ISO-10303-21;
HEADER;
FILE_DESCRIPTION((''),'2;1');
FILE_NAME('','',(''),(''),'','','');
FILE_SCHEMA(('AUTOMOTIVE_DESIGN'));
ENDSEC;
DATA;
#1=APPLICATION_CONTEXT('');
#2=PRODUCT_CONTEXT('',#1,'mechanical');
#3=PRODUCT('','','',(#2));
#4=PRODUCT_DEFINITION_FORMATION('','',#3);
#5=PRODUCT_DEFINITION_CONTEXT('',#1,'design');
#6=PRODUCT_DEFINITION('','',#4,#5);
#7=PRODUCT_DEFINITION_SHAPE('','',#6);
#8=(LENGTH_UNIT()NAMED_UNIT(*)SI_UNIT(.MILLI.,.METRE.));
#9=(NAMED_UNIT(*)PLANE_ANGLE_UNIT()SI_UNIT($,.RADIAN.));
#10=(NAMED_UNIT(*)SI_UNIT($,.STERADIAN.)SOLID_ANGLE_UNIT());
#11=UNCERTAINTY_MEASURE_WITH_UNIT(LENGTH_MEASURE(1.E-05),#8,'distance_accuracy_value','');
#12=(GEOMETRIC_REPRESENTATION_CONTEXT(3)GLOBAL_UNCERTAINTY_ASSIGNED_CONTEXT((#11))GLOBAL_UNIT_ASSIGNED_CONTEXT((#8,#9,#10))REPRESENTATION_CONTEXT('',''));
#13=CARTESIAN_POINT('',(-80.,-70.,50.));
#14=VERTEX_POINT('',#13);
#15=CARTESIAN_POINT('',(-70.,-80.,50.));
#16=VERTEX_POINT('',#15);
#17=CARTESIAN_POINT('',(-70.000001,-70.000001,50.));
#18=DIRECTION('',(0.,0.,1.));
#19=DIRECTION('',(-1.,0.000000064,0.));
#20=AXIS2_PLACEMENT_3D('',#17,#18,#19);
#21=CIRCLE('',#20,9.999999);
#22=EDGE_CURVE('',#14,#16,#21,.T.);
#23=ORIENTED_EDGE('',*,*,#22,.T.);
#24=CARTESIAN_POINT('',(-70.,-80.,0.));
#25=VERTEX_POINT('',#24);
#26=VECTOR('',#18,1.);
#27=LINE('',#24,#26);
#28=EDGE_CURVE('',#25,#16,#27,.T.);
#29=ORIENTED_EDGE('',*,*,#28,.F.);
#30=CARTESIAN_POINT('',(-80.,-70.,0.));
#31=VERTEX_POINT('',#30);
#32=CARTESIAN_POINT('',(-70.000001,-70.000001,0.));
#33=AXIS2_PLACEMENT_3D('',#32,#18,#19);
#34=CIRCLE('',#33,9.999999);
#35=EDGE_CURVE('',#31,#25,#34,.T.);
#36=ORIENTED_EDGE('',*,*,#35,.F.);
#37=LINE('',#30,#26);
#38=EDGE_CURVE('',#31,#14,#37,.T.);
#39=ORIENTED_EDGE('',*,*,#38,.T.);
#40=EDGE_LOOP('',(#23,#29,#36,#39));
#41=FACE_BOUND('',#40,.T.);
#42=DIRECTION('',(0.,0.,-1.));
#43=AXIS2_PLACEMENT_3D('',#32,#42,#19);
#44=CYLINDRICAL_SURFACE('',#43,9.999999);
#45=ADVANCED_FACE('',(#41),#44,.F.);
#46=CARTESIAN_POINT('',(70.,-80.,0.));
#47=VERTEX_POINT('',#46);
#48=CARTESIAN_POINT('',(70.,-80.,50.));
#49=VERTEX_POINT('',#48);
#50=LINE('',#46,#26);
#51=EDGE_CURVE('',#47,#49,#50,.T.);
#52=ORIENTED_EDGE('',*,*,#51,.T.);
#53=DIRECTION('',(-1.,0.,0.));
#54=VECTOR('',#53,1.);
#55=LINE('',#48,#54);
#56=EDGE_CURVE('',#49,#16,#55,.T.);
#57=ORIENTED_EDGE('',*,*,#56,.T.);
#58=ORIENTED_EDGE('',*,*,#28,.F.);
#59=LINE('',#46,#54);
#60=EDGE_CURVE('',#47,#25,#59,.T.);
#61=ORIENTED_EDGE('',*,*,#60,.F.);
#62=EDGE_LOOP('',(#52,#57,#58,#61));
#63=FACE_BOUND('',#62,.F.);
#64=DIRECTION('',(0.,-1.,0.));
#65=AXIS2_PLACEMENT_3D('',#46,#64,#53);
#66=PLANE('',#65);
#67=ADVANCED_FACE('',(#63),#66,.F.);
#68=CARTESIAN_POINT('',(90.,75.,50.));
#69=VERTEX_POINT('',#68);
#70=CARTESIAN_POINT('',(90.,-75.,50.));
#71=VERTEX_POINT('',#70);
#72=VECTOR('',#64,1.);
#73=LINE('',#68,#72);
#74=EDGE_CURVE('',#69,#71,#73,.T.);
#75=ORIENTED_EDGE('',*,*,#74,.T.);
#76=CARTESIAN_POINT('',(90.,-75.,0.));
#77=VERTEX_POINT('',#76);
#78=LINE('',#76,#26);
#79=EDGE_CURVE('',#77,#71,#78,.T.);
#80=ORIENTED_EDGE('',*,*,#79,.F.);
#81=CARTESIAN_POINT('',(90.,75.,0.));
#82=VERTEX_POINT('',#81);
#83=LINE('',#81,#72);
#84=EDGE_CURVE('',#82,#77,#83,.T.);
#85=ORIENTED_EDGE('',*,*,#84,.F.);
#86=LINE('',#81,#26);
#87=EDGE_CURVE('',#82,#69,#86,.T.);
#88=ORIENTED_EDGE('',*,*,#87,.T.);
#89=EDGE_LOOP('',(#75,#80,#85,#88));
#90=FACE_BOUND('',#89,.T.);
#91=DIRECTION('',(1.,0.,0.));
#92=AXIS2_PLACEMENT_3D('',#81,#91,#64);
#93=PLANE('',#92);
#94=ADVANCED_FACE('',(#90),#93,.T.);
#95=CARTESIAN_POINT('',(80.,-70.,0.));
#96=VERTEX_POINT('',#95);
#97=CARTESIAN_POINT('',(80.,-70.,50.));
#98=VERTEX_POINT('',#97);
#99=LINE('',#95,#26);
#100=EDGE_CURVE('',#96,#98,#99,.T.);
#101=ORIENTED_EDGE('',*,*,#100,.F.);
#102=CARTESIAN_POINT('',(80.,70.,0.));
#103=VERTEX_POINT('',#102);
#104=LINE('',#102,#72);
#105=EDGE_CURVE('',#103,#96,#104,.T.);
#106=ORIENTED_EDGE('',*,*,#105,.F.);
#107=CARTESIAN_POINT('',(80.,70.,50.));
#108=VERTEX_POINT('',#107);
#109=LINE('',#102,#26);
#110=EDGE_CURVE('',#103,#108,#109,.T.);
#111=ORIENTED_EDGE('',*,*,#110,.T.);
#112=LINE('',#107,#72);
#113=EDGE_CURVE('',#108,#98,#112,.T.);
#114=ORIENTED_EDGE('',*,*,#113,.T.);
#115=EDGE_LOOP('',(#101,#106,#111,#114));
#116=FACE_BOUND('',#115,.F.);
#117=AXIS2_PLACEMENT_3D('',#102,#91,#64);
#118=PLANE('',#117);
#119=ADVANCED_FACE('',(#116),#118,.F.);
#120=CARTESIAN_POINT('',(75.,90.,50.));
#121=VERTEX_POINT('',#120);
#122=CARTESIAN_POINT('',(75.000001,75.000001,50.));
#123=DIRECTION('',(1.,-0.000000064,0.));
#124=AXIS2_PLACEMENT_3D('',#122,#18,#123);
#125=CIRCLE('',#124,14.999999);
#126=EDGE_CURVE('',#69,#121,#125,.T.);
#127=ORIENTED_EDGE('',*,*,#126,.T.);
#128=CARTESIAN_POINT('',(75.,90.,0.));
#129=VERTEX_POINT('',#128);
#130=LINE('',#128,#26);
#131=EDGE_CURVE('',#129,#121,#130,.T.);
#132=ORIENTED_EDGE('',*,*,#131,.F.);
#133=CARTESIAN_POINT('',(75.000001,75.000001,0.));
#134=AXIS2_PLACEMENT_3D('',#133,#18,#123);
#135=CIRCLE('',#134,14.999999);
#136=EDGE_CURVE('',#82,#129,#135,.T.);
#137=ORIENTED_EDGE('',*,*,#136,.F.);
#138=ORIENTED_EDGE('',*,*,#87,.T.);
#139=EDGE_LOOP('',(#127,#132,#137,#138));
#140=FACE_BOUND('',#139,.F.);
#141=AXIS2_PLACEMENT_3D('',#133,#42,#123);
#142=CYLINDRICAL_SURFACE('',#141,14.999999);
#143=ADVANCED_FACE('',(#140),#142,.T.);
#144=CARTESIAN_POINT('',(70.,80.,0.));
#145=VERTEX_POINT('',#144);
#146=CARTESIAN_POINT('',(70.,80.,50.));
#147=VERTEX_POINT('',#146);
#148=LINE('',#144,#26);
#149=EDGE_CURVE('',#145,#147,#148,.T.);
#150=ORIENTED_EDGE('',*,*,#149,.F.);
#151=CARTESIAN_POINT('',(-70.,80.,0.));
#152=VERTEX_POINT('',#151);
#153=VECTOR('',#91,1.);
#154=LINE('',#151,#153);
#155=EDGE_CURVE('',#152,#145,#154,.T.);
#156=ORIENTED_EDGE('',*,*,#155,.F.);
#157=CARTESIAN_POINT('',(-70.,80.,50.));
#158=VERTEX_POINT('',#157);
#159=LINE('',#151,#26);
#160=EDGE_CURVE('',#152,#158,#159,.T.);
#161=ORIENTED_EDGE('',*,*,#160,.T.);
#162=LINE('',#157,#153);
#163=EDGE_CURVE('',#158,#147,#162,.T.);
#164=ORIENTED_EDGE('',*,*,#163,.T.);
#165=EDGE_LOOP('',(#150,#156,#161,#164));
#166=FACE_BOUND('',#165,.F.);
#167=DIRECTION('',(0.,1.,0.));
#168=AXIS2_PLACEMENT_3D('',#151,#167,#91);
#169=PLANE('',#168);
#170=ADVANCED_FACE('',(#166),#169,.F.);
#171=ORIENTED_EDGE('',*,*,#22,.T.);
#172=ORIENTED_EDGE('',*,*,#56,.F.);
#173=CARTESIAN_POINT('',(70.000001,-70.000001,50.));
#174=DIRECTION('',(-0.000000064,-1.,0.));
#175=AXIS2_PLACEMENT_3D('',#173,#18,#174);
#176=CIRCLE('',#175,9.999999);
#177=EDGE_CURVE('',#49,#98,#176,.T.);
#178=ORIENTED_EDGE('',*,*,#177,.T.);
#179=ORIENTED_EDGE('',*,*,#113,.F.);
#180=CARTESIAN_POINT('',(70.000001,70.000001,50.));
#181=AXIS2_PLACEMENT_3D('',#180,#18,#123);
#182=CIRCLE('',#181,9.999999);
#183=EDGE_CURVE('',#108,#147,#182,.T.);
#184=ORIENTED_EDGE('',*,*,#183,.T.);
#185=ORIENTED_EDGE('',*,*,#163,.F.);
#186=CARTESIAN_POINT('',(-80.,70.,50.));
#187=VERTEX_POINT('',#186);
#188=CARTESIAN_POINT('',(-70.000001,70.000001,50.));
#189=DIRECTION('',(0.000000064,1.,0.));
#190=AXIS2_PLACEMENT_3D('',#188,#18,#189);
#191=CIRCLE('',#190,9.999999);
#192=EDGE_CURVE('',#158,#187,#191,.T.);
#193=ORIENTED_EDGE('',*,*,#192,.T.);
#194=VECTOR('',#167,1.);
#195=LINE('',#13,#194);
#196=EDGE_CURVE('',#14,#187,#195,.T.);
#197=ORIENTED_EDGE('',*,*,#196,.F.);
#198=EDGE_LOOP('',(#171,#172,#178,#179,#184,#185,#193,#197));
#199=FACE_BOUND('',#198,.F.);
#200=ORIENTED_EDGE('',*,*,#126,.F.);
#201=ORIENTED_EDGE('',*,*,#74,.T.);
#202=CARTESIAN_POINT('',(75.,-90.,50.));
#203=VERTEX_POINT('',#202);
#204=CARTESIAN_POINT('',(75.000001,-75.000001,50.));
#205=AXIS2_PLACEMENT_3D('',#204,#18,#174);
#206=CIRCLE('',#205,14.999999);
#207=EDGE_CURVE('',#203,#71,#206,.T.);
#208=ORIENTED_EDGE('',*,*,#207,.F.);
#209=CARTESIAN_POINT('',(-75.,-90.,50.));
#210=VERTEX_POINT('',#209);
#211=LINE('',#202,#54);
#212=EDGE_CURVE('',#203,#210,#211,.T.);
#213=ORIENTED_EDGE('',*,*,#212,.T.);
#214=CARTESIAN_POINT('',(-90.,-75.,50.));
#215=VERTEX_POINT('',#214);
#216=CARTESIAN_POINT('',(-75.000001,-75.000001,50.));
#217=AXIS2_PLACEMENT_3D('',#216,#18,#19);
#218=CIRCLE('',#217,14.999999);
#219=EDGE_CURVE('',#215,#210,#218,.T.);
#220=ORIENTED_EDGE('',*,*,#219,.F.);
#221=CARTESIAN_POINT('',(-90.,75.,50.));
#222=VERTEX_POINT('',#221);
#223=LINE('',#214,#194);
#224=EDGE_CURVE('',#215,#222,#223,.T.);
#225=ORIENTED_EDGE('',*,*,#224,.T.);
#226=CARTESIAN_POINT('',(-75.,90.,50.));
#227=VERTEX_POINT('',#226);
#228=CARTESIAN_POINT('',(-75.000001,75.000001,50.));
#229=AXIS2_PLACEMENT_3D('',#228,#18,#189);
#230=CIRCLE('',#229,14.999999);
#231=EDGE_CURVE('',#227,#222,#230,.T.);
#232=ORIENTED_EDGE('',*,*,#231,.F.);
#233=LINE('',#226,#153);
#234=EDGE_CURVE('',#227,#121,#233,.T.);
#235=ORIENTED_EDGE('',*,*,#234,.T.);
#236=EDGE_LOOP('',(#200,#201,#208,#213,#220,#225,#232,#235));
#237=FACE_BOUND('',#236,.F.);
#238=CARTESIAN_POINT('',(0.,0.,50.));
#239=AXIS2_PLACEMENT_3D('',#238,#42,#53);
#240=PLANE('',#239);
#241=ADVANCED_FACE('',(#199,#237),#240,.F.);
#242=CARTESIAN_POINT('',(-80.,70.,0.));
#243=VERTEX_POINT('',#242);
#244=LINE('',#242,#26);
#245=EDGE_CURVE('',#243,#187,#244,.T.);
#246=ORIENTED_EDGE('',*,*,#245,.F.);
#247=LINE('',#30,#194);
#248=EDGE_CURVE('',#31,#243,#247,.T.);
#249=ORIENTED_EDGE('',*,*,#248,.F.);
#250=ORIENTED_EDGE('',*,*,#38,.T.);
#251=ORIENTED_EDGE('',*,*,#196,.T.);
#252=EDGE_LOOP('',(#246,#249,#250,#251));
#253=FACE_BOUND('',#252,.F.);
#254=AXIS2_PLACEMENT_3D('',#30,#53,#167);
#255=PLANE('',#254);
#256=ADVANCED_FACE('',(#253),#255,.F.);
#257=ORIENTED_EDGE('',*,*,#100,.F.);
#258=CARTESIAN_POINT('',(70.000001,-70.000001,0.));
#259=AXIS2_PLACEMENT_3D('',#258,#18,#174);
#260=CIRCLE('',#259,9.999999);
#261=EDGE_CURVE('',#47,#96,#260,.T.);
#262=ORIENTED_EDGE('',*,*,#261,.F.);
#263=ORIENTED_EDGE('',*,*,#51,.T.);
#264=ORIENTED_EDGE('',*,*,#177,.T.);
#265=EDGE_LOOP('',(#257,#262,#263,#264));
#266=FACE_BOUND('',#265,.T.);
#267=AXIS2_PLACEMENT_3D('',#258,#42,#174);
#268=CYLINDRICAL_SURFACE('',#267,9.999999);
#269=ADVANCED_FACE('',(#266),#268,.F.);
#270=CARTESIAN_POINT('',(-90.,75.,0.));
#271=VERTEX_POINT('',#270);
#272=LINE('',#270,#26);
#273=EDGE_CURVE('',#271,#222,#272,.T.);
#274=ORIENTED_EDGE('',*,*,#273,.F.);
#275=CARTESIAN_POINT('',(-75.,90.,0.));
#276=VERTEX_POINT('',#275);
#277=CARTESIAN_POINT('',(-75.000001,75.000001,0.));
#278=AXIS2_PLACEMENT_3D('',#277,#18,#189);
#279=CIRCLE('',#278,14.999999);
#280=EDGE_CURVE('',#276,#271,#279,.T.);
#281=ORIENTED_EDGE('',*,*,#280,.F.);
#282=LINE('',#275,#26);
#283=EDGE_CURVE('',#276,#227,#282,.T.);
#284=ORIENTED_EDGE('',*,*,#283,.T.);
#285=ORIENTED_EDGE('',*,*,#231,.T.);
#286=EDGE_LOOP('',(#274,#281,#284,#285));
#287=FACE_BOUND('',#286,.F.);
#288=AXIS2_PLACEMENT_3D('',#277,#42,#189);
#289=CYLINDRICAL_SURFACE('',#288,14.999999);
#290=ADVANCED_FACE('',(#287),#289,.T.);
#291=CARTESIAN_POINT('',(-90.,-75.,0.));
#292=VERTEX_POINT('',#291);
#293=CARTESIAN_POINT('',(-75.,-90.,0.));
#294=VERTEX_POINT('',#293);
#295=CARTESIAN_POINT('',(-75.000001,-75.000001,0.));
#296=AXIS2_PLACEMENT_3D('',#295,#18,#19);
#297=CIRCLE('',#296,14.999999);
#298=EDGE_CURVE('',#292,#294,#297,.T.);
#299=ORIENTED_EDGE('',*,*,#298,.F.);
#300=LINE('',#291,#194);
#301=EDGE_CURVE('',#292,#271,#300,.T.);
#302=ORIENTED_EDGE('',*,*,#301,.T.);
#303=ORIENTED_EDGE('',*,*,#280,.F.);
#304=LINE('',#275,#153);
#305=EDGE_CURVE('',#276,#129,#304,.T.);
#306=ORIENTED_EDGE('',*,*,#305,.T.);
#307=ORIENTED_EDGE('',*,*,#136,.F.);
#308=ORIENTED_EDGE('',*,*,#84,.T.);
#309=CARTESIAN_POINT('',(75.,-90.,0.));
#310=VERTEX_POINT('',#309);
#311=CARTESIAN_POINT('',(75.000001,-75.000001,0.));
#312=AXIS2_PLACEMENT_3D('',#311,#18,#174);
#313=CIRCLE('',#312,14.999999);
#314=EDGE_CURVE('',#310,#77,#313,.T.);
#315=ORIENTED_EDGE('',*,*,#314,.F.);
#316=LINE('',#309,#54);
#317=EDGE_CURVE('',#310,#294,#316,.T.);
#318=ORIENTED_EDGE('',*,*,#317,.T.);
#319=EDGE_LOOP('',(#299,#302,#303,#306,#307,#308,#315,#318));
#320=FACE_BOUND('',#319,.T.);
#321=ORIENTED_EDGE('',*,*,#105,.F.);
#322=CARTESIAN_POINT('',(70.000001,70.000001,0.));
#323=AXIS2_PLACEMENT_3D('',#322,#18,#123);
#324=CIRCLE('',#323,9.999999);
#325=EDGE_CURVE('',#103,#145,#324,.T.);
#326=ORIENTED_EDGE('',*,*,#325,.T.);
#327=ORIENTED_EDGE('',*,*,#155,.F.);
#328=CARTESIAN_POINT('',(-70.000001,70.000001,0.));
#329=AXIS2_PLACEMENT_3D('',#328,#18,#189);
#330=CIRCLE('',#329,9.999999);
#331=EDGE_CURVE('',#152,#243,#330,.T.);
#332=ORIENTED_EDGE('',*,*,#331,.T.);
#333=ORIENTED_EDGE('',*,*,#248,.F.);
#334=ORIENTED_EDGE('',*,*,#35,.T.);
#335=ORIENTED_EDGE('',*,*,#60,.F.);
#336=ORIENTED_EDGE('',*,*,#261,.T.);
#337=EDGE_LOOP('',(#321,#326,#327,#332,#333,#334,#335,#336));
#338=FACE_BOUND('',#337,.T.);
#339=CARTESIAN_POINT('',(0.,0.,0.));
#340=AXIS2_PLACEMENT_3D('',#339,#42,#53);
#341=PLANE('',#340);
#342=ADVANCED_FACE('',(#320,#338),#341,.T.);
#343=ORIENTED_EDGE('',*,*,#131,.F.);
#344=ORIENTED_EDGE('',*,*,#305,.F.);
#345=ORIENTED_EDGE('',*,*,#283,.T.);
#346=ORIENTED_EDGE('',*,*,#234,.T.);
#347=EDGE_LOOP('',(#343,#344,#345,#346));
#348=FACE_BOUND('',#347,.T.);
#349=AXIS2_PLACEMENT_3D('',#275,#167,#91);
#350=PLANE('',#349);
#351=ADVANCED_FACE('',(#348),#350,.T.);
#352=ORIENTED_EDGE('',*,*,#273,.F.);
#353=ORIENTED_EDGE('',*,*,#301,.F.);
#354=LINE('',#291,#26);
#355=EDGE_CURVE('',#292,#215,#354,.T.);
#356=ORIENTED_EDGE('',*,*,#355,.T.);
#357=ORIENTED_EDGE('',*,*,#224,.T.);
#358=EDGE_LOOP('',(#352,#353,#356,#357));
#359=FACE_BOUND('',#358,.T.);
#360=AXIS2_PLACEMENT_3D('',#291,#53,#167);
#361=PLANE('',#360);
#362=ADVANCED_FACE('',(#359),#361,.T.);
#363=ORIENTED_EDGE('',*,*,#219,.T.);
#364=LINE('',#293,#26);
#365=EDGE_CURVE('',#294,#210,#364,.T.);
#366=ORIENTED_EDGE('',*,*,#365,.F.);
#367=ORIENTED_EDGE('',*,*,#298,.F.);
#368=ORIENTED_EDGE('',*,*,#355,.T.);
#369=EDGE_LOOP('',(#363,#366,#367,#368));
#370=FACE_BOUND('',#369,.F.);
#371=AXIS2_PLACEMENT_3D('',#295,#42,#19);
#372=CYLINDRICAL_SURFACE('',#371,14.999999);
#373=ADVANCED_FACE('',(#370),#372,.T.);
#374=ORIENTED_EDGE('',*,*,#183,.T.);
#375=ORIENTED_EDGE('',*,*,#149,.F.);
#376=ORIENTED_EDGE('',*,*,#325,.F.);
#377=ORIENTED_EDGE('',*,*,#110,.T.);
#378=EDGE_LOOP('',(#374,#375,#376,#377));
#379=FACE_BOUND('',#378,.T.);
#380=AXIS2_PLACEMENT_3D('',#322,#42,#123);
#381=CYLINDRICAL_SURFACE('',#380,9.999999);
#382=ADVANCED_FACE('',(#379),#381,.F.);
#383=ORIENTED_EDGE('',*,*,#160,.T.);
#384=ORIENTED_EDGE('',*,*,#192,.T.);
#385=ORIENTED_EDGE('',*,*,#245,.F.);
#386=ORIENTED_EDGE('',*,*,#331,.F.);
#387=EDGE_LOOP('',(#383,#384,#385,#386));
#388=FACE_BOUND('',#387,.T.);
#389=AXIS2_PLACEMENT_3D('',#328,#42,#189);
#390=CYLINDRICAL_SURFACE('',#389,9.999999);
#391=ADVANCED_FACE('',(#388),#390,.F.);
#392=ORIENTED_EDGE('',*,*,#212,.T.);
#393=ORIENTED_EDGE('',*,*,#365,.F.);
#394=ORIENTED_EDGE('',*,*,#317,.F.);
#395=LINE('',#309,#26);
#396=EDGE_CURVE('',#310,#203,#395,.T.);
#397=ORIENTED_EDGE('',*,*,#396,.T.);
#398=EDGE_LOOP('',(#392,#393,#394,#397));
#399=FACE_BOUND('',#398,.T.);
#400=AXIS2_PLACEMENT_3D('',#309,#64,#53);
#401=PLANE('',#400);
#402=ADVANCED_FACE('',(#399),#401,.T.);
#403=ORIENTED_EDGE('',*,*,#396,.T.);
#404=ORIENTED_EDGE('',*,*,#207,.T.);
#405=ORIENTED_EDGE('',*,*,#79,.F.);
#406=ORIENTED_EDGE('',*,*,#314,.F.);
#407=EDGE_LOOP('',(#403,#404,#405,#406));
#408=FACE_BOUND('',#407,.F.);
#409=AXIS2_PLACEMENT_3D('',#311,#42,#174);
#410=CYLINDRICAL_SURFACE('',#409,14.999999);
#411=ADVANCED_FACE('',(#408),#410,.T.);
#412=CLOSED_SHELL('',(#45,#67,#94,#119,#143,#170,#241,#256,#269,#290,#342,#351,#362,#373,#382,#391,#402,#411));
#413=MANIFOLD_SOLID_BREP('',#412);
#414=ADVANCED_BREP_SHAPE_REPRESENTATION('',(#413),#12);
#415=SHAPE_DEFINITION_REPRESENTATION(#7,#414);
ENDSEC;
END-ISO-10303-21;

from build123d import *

# Parameters (mm, degrees)
EXTRUDE_DEPTH = 50


with BuildPart() as part:
    # Sketch → Extrude (new body)
    with BuildSketch(Plane.XY):
        with BuildLine():
            Line((-75, 90), (75, 90))
            ThreePointArc((90, 75), (85.606602, 85.606602), (75, 90))
            Line((90, 75), (90, -75))
            ThreePointArc((75, -90), (85.606602, -85.606602), (90, -75))
            Line((75, -90), (-75, -90))
            ThreePointArc((-90, -75), (-85.606602, -85.606602), (-75, -90))
            Line((-90, -75), (-90, 75))
            ThreePointArc((-75, 90), (-85.606602, 85.606602), (-90, 75))
        make_face()
        with BuildLine():
            Line((-70, 80), (70, 80))
            ThreePointArc((80, 70), (77.071068, 77.071068), (70, 80))
            Line((80, 70), (80, -70))
            ThreePointArc((70, -80), (77.071068, -77.071068), (80, -70))
            Line((70, -80), (-70, -80))
            ThreePointArc((-80, -70), (-77.071068, -77.071068), (-70, -80))
            Line((-80, -70), (-80, 70))
            ThreePointArc((-70, 80), (-77.071068, 77.071068), (-80, 70))
        make_face(mode=Mode.SUBTRACT)
    extrude(amount=EXTRUDE_DEPTH)


solid = part.part
